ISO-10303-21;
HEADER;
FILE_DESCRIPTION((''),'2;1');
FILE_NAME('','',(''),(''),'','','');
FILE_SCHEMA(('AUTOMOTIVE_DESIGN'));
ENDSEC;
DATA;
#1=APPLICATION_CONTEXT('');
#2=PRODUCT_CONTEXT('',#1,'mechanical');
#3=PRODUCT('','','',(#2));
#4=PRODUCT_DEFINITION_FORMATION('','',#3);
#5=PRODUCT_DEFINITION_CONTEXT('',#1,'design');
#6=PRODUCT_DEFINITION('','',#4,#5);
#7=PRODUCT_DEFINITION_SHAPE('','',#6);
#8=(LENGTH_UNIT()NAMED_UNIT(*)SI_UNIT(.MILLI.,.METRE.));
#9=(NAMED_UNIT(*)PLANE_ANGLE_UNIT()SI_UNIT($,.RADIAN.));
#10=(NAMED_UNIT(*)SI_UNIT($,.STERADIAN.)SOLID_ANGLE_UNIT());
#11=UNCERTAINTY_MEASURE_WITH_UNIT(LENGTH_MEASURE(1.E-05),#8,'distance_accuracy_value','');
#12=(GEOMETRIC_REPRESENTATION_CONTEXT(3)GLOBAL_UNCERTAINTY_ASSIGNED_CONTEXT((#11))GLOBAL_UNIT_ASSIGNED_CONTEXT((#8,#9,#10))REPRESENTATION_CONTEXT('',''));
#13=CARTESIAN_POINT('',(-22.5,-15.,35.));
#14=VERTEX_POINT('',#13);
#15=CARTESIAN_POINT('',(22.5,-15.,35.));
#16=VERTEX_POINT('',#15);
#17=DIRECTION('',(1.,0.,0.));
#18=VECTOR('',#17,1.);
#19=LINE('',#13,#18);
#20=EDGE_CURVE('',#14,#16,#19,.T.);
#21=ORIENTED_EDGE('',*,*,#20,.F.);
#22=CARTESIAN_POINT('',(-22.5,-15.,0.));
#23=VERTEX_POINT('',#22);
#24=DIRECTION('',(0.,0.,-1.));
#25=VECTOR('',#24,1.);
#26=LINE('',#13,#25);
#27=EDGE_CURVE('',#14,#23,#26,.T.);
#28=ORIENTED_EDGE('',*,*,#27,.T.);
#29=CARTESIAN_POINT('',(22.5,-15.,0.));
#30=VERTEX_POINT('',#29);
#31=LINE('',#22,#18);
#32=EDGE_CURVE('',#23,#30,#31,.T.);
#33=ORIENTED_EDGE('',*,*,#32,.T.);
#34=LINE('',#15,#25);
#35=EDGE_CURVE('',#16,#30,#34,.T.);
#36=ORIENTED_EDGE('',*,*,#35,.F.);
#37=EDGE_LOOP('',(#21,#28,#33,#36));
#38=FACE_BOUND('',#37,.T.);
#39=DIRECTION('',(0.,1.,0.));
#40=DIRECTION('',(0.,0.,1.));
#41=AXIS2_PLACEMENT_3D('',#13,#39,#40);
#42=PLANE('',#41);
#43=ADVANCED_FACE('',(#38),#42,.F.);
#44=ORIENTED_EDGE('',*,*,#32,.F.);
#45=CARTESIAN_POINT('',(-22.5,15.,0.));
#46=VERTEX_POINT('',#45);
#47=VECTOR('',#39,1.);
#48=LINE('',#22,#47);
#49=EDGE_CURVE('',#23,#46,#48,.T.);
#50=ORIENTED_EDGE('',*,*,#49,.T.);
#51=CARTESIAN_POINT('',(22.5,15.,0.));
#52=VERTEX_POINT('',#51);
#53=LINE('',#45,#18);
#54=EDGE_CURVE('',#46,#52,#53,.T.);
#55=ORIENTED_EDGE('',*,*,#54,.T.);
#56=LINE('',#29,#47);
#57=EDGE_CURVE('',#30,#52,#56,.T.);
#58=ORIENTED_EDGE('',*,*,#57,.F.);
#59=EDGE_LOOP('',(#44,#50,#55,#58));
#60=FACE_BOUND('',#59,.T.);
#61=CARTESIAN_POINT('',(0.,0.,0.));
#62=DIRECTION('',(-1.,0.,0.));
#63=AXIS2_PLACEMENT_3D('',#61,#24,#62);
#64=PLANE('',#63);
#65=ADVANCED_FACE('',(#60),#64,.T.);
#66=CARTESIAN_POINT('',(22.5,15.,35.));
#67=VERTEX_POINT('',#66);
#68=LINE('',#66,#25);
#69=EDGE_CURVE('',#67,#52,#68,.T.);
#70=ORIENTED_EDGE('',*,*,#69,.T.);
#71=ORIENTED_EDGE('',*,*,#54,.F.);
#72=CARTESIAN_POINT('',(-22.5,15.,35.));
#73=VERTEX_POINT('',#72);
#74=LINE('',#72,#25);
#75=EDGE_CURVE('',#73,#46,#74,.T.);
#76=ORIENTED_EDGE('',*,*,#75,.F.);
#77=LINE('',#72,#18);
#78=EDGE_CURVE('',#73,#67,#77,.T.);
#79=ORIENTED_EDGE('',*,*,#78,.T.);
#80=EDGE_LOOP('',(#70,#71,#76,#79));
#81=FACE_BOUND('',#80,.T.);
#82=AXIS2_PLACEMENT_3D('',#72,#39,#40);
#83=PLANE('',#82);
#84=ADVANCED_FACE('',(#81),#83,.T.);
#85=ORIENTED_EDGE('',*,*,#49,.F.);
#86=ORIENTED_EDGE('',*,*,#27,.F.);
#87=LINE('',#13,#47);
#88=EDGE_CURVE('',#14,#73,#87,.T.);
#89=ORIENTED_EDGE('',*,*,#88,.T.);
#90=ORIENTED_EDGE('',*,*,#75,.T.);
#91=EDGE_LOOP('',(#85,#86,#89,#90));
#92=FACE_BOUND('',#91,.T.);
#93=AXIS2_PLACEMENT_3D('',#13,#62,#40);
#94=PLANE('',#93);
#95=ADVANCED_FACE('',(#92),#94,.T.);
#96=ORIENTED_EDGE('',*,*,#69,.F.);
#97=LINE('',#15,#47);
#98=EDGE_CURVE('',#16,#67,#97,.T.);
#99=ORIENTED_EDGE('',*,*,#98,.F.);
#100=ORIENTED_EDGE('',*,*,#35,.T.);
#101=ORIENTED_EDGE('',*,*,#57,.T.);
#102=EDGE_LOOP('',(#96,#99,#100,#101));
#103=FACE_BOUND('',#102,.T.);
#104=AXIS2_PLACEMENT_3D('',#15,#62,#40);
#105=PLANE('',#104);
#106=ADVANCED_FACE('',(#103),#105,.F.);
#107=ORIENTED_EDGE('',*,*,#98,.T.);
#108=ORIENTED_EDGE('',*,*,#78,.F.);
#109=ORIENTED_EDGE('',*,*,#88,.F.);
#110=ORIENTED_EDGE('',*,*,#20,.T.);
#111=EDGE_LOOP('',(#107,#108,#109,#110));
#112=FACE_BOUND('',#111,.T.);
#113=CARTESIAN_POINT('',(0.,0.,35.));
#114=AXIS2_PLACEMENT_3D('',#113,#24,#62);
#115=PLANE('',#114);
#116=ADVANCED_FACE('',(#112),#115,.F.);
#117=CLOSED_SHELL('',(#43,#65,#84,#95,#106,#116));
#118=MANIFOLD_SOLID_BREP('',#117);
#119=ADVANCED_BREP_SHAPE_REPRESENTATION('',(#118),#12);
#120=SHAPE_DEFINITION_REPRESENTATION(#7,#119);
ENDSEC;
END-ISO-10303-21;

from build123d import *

# Parameters (mm, degrees)
ESQUISSE1_W        = 45
ESQUISSE1_H        = 30
BOSS_EXTRU_1_DEPTH = 35


with BuildPart() as part:
    # Esquisse1 → Boss.-Extru.1 (new body)
    with BuildSketch(Plane.XY):
        Rectangle(ESQUISSE1_W, ESQUISSE1_H)
    extrude(amount=BOSS_EXTRU_1_DEPTH)


solid = part.part
